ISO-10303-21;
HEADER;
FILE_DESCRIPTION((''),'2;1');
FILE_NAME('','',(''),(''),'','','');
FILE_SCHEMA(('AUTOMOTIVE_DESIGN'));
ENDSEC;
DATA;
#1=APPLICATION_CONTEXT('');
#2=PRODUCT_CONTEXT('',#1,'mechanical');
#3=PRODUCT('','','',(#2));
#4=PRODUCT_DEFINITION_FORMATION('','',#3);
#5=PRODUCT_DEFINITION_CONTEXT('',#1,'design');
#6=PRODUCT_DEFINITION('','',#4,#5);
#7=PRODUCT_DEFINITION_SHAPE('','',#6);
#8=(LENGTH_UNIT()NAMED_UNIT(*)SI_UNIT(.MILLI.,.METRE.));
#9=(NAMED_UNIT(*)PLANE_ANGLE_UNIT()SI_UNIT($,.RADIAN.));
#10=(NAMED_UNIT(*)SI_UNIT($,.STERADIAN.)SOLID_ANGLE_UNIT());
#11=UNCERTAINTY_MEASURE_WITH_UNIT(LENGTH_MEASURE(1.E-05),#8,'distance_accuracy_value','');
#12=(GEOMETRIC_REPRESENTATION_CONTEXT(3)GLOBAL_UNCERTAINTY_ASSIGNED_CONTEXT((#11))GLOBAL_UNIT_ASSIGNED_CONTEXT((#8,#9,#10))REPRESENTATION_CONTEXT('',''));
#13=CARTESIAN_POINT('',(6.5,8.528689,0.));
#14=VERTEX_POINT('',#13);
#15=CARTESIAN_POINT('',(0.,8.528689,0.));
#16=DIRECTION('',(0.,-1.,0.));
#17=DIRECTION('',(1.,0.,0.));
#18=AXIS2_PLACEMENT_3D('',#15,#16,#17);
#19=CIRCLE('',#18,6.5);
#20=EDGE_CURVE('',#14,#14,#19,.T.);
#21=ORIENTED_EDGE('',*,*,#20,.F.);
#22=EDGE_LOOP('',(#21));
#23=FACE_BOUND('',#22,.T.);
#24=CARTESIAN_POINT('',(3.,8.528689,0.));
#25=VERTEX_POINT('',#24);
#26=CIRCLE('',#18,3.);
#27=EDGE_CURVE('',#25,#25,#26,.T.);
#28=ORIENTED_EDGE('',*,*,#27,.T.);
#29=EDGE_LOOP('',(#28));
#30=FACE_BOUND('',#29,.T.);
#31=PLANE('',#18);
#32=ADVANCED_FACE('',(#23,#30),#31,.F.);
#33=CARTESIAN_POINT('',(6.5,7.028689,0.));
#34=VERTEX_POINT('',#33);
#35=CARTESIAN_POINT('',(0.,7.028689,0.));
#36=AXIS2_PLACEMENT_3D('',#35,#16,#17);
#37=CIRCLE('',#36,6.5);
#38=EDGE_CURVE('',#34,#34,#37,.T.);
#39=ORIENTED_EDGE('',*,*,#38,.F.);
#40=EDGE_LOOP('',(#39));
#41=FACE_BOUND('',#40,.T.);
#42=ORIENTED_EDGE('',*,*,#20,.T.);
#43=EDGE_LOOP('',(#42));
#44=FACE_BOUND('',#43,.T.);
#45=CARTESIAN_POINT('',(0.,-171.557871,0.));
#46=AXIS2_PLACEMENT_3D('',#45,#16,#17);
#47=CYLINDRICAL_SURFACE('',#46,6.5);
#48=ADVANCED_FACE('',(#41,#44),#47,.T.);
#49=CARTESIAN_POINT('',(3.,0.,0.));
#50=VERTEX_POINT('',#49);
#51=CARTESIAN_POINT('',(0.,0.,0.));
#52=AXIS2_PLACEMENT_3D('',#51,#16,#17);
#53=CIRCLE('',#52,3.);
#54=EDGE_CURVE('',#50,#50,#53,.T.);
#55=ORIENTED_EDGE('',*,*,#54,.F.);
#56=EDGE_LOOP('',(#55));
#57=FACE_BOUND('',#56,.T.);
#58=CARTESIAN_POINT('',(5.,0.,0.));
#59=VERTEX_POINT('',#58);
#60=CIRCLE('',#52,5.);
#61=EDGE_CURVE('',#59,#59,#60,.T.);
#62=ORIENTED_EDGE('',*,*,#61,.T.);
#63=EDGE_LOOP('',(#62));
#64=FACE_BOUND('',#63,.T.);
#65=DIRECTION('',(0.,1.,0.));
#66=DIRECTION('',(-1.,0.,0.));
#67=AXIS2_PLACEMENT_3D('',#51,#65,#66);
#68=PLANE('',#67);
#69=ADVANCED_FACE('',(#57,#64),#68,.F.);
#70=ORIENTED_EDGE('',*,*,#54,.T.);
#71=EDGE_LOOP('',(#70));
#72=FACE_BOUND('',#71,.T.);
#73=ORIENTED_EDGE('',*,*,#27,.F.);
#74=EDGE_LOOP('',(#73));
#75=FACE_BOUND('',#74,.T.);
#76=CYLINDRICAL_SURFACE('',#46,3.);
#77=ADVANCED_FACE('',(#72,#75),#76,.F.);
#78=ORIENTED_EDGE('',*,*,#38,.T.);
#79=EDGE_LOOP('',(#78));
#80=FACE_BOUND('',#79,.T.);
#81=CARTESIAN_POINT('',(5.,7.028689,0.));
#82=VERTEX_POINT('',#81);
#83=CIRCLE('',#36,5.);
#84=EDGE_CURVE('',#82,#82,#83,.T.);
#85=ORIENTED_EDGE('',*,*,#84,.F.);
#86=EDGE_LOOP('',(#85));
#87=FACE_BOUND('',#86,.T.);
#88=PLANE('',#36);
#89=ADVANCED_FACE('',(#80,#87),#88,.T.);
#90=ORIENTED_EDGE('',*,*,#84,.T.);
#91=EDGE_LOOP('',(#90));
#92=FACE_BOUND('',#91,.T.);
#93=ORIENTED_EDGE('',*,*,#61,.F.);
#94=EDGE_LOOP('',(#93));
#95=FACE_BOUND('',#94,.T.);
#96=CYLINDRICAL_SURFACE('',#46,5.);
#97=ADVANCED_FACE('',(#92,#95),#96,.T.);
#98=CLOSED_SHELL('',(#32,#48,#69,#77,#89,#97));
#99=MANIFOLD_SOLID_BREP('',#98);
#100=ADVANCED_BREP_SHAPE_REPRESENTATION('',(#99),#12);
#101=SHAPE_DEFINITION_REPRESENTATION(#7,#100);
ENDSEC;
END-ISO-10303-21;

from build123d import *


with BuildPart() as part:
    # 草图1 → 旋转1 (revolve)
    with BuildSketch(Plane.XY):
        Polygon((3, 8.528688525), (6.5, 8.528688525), (6.5, 7.028688525), (5, 7.028688525), (5, 0), (3, 0), align=None)
    revolve(axis=Axis((0, -171.557870599, 0), (0, 1, 0)))


solid = part.part
